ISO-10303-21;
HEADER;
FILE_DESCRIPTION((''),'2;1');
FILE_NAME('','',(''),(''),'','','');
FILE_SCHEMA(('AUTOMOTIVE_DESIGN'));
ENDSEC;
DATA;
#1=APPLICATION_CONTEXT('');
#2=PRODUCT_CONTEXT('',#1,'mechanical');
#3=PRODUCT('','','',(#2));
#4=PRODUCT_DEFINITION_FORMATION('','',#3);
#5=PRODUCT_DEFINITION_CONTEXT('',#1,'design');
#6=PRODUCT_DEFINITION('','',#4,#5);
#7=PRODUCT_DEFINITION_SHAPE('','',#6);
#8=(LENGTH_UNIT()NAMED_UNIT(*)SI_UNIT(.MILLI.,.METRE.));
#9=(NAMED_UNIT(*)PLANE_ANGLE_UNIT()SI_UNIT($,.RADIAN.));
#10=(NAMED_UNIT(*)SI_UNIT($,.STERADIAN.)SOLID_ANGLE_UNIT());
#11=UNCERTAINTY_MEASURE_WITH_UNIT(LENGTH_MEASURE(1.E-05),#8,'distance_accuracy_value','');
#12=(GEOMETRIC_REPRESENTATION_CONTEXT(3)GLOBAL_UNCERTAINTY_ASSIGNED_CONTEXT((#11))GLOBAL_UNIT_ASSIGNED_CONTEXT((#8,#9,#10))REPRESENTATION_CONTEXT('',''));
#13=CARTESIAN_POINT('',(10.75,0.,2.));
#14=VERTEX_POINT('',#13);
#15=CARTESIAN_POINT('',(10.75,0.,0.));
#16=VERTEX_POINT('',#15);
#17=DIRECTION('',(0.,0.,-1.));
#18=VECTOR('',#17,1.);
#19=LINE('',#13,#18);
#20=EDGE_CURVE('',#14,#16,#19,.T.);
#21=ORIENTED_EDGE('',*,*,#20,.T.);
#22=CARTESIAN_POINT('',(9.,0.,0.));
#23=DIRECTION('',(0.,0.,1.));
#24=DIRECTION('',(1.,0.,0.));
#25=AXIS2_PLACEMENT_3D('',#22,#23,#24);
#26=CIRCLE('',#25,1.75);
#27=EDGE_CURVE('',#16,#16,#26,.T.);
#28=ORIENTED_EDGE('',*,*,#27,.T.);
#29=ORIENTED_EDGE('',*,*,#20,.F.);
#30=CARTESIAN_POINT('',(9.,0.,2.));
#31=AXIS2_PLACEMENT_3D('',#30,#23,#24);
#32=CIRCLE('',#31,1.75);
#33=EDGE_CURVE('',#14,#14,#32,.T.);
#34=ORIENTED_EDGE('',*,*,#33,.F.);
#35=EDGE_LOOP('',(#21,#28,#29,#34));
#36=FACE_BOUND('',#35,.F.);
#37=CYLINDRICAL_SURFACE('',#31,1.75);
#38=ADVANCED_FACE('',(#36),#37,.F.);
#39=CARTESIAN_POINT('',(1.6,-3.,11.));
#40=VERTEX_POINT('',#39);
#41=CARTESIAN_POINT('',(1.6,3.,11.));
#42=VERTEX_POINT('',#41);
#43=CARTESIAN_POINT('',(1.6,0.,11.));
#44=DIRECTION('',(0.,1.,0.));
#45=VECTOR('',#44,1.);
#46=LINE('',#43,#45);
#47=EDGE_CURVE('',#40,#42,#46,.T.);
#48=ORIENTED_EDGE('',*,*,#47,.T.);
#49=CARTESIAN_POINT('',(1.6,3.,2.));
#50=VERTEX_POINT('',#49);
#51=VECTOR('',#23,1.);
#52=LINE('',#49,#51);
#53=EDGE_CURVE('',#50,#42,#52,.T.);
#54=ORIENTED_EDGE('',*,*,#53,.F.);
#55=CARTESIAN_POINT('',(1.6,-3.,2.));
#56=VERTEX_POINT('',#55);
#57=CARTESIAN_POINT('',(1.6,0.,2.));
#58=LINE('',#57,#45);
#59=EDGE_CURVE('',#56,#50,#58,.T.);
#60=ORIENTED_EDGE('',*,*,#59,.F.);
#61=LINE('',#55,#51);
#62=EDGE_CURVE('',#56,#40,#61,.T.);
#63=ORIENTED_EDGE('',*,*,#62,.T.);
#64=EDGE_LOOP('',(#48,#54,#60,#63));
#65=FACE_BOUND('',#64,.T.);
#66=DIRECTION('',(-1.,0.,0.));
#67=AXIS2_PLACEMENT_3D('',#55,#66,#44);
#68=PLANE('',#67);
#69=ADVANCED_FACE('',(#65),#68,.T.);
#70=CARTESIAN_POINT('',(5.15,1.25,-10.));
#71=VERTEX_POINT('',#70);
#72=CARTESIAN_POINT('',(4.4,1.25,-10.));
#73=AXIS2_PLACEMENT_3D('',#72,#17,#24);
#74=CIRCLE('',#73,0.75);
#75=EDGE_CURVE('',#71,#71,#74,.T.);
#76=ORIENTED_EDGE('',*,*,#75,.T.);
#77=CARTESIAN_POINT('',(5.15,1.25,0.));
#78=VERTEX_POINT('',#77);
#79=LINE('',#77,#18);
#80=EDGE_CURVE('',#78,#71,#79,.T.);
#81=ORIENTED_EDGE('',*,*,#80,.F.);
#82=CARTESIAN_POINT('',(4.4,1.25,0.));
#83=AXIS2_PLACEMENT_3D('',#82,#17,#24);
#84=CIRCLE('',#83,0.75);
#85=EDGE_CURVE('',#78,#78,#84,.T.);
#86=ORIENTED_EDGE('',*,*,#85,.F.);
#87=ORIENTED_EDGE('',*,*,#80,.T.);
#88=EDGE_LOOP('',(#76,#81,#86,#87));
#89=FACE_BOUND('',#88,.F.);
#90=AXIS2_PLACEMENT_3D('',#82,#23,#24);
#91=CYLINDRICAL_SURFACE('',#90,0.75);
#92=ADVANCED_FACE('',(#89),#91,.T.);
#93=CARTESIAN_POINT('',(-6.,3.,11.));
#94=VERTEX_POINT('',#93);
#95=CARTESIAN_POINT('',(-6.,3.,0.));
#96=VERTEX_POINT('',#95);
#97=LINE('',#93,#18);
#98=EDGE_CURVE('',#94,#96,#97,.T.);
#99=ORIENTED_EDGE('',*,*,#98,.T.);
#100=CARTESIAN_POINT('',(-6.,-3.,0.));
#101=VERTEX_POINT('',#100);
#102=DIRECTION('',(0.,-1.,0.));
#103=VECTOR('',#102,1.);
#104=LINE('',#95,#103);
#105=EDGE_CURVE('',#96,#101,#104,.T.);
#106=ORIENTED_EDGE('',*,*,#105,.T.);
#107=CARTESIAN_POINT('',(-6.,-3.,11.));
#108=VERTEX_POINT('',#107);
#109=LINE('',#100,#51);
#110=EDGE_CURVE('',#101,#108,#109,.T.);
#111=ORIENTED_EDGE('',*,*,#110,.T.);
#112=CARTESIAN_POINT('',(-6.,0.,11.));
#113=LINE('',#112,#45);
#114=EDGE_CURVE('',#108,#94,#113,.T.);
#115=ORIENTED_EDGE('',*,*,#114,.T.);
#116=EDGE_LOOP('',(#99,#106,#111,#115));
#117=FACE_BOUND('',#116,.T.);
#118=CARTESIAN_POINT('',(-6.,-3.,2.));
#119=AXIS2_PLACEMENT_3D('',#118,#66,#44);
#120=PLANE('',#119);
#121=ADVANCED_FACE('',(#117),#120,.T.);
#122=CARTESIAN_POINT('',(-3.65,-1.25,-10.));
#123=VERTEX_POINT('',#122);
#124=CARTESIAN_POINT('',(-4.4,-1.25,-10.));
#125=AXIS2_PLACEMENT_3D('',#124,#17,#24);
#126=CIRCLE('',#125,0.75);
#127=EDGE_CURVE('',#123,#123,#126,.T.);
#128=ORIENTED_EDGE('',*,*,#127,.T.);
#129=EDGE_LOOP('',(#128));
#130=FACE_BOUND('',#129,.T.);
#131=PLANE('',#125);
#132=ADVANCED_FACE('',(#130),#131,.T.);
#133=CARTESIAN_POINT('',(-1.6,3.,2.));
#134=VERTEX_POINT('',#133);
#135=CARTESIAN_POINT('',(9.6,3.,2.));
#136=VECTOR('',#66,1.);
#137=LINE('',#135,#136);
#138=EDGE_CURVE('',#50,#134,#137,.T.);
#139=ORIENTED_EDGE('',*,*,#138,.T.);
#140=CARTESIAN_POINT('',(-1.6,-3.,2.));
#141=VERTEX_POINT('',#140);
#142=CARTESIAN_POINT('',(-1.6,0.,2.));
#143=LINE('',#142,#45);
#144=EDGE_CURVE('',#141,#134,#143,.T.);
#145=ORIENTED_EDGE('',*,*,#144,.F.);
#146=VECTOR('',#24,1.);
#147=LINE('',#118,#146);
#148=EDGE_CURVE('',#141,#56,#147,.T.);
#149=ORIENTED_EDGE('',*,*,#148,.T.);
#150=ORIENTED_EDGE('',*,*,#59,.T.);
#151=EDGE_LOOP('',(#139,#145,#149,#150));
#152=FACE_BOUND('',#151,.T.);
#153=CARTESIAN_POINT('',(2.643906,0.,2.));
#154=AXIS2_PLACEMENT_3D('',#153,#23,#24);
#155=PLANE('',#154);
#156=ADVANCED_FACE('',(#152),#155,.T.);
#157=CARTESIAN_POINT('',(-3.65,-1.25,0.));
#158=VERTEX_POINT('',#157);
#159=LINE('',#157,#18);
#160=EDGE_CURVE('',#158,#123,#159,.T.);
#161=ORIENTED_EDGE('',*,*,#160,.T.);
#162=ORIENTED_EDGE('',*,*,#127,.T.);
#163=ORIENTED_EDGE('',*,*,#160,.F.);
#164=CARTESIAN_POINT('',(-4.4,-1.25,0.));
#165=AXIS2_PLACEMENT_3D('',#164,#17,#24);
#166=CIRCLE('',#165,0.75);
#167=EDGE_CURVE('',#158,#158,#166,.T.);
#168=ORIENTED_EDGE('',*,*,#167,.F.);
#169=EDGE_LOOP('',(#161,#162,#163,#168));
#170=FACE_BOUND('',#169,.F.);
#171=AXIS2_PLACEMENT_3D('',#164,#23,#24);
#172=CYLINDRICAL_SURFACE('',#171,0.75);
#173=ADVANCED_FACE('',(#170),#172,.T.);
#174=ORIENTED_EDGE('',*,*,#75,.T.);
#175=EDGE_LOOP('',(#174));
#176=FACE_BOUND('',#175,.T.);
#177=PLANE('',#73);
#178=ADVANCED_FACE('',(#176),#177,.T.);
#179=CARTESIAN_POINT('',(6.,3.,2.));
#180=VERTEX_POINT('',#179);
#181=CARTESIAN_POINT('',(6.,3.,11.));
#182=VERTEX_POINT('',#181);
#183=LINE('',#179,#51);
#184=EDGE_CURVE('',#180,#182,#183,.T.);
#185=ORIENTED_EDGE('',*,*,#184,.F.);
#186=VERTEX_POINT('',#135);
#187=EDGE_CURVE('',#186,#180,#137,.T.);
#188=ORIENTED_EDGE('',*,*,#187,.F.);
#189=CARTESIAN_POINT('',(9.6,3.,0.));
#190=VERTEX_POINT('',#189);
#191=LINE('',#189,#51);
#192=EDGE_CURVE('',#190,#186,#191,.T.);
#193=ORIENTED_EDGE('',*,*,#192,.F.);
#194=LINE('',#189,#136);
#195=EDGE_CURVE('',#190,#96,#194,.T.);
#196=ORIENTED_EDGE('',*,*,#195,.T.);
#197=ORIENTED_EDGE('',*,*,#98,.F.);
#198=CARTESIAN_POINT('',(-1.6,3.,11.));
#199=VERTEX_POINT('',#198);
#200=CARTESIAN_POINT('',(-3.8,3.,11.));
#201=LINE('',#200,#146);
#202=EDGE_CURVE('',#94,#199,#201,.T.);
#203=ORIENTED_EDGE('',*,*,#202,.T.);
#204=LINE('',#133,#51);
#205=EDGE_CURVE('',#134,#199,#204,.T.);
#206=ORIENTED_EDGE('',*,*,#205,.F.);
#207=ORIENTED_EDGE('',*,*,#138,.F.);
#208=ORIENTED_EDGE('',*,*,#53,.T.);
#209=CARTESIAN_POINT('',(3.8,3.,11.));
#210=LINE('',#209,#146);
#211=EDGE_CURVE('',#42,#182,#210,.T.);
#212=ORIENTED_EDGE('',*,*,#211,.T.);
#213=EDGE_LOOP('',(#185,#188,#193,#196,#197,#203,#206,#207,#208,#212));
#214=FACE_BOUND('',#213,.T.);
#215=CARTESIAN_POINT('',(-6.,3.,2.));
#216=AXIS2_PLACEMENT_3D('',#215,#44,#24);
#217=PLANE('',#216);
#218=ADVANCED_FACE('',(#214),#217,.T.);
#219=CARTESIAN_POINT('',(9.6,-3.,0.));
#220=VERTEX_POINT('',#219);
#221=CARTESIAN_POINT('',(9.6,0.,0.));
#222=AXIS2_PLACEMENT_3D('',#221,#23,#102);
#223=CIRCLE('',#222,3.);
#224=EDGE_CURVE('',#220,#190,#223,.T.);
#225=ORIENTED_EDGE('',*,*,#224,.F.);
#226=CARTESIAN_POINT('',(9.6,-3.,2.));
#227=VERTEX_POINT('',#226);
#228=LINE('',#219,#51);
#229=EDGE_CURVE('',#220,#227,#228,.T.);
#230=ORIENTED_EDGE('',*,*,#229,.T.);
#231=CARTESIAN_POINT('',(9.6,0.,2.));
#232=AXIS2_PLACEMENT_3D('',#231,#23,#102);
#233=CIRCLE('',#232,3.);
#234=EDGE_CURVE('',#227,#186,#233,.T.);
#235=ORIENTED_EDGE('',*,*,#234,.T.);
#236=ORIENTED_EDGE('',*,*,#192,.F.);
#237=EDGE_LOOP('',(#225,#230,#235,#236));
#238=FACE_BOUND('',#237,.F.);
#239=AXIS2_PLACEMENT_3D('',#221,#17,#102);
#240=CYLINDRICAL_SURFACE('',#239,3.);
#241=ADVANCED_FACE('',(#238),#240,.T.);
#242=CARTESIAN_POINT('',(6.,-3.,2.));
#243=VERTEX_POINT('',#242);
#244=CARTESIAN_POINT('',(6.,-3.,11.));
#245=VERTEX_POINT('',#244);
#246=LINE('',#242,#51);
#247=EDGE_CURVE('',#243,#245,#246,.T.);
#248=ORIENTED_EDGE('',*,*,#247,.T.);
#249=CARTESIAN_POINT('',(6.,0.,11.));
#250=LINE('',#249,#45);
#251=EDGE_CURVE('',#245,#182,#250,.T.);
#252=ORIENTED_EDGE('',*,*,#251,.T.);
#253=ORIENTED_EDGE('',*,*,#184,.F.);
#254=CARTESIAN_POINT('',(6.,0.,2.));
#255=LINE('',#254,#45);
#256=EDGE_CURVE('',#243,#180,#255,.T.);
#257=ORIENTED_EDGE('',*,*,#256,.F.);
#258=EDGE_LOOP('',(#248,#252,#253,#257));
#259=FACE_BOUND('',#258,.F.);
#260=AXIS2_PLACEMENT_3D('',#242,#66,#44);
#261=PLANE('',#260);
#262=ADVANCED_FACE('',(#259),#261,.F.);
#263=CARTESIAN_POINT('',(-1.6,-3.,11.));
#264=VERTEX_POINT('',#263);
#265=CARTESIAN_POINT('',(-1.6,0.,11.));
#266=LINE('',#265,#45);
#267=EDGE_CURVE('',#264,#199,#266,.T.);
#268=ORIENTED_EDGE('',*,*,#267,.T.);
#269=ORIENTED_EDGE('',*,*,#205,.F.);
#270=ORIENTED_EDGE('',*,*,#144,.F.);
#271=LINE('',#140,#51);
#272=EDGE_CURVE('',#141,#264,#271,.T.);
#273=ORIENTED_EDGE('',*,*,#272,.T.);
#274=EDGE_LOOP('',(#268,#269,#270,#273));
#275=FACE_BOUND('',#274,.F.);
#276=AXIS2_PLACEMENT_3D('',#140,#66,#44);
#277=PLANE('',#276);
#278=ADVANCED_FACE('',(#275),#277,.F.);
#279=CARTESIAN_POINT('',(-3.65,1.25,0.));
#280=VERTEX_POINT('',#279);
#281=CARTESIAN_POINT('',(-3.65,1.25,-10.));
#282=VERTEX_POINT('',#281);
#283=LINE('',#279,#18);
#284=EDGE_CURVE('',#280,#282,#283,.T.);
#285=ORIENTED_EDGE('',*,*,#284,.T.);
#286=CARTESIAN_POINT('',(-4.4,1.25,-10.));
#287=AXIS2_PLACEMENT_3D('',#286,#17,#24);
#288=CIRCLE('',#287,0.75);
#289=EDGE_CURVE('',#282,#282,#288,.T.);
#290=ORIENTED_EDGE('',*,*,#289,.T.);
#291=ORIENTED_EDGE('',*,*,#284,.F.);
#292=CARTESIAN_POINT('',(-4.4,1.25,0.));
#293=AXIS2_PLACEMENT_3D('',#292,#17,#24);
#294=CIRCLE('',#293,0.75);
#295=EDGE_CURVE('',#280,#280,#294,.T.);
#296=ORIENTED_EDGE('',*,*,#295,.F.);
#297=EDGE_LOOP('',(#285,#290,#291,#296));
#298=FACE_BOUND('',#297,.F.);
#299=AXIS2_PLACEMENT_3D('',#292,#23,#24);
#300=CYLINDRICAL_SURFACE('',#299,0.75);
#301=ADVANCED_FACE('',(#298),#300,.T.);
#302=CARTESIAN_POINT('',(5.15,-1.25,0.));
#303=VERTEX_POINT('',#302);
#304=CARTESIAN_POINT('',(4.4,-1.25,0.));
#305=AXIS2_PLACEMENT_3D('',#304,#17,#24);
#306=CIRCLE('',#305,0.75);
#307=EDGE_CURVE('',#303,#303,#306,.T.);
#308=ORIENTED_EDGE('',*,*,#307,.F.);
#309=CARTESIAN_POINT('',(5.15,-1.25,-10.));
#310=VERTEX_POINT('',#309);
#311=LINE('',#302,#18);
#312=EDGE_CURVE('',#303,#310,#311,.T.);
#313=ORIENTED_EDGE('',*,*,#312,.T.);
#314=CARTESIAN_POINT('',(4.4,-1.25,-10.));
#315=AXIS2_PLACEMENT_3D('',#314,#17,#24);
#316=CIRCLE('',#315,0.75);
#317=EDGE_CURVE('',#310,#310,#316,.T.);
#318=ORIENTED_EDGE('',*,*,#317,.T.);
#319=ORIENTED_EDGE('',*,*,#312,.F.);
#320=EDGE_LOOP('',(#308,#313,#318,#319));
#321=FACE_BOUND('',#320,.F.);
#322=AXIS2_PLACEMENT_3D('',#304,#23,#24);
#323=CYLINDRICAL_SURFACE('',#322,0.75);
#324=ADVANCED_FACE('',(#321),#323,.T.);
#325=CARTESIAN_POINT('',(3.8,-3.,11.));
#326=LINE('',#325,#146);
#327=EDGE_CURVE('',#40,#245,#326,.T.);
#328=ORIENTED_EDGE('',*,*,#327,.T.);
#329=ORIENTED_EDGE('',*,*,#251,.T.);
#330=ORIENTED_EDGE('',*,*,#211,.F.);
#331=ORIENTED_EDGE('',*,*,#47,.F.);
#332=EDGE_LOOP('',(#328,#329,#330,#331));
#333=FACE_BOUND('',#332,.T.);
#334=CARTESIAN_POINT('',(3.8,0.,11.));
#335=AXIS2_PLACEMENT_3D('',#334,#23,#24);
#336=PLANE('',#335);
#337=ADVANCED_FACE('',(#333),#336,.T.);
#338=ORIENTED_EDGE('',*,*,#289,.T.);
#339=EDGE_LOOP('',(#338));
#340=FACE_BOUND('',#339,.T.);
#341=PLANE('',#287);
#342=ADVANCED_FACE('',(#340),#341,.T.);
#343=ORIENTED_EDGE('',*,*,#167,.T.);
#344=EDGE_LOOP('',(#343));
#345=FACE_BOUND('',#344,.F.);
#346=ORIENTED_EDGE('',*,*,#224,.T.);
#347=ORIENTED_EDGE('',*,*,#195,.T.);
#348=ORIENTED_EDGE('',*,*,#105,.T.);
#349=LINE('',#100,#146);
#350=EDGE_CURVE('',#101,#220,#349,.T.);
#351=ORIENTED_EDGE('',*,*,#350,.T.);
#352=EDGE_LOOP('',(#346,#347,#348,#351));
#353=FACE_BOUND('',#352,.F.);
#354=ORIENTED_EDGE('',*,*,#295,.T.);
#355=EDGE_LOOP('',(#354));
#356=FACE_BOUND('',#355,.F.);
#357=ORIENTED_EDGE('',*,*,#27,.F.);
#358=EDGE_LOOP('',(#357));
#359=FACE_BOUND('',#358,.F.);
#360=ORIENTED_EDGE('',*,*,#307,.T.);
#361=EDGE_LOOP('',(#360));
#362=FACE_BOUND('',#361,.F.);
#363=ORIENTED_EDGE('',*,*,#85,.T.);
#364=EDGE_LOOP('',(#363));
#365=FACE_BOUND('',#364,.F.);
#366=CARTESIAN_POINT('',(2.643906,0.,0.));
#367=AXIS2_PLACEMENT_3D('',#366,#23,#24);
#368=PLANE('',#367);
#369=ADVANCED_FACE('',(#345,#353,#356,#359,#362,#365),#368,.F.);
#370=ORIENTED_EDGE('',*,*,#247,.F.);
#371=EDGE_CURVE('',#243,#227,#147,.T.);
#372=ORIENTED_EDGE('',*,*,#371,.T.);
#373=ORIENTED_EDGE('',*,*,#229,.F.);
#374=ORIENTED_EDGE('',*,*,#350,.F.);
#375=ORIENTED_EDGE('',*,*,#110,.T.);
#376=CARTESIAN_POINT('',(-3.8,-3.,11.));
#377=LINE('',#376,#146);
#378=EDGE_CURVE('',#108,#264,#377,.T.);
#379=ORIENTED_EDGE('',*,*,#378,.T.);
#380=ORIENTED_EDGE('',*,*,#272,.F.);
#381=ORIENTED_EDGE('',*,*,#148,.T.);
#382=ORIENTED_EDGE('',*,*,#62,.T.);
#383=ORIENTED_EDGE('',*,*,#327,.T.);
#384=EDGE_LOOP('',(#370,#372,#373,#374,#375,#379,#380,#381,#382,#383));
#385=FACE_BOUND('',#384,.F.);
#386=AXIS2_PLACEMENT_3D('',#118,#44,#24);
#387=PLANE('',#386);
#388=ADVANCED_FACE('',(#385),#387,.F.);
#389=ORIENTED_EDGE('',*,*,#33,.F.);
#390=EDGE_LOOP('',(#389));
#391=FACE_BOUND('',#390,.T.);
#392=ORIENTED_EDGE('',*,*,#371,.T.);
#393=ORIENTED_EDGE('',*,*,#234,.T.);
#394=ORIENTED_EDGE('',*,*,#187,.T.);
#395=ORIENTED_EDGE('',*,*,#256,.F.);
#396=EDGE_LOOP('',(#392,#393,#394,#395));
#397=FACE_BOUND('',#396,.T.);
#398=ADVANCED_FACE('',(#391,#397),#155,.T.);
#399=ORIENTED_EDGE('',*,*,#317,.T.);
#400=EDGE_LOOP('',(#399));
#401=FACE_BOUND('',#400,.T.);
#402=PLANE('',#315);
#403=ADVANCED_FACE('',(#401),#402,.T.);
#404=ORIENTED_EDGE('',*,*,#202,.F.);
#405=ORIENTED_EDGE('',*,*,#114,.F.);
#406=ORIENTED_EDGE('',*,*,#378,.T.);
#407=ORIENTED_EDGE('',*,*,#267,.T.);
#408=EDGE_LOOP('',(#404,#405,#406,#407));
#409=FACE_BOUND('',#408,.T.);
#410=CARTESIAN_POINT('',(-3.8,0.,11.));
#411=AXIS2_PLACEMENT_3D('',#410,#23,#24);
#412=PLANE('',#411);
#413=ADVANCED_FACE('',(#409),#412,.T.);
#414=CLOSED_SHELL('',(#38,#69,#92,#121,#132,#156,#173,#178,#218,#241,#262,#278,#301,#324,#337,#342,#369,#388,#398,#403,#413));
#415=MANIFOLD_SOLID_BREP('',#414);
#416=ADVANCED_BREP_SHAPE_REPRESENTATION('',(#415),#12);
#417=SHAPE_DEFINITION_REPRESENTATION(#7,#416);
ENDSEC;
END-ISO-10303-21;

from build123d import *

# Parameters (mm, degrees)
F1_DEPTH = 2
F2_W     = 4.4
F2_H     = 6
F3_DEPTH = 9
F4_R     = 0.75
F5_DEPTH = 10
F6_R     = 1.75
F7_DEPTH = 12.001


with BuildPart() as f1:
    # F0 (on Top) → F1 (new body)
    with BuildSketch(Plane.XY):
        with BuildLine():
            Line((6, 3), (-6, 3))
            Line((-6, 3), (-6, -3))
            Line((-6, -3), (6, -3))
            Line((6, -3), (9.6, -3))
            ThreePointArc((9.6, -3), (12.6, 0), (9.6, 3))
            Line((9.6, 3), (6, 3))
        make_face()
    extrude(amount=F1_DEPTH)

    # F2 (on face) → F3 (join)
    with BuildSketch(Plane.XY.offset(2)):
        with Locations((-3.8, 0)):
            Rectangle(F2_W, F2_H)
        with Locations((3.8, 0)):
            Rectangle(F2_W, F2_H)
    extrude(amount=F3_DEPTH)

    # F4 (on face) → F5 (join)
    with BuildSketch(Plane(origin=(0, 0, 0), x_dir=(1, 0, 0), z_dir=(0, 0, -1))):
        with Locations((-4.4, 1.25)):
            Circle(F4_R)
        with Locations((4.4, 1.25)):
            Circle(F4_R)
        with Locations((4.4, -1.25)):
            Circle(F4_R)
        with Locations((-4.4, -1.25)):
            Circle(F4_R)
    extrude(amount=F5_DEPTH)

    # F6 (on face) → F7 (cut, through all)
    with BuildSketch(Plane.XY.offset(2)):
        with Locations((9, 0)):
            Circle(F6_R)
    extrude(amount=-F7_DEPTH, mode=Mode.SUBTRACT)


solid = f1.part
